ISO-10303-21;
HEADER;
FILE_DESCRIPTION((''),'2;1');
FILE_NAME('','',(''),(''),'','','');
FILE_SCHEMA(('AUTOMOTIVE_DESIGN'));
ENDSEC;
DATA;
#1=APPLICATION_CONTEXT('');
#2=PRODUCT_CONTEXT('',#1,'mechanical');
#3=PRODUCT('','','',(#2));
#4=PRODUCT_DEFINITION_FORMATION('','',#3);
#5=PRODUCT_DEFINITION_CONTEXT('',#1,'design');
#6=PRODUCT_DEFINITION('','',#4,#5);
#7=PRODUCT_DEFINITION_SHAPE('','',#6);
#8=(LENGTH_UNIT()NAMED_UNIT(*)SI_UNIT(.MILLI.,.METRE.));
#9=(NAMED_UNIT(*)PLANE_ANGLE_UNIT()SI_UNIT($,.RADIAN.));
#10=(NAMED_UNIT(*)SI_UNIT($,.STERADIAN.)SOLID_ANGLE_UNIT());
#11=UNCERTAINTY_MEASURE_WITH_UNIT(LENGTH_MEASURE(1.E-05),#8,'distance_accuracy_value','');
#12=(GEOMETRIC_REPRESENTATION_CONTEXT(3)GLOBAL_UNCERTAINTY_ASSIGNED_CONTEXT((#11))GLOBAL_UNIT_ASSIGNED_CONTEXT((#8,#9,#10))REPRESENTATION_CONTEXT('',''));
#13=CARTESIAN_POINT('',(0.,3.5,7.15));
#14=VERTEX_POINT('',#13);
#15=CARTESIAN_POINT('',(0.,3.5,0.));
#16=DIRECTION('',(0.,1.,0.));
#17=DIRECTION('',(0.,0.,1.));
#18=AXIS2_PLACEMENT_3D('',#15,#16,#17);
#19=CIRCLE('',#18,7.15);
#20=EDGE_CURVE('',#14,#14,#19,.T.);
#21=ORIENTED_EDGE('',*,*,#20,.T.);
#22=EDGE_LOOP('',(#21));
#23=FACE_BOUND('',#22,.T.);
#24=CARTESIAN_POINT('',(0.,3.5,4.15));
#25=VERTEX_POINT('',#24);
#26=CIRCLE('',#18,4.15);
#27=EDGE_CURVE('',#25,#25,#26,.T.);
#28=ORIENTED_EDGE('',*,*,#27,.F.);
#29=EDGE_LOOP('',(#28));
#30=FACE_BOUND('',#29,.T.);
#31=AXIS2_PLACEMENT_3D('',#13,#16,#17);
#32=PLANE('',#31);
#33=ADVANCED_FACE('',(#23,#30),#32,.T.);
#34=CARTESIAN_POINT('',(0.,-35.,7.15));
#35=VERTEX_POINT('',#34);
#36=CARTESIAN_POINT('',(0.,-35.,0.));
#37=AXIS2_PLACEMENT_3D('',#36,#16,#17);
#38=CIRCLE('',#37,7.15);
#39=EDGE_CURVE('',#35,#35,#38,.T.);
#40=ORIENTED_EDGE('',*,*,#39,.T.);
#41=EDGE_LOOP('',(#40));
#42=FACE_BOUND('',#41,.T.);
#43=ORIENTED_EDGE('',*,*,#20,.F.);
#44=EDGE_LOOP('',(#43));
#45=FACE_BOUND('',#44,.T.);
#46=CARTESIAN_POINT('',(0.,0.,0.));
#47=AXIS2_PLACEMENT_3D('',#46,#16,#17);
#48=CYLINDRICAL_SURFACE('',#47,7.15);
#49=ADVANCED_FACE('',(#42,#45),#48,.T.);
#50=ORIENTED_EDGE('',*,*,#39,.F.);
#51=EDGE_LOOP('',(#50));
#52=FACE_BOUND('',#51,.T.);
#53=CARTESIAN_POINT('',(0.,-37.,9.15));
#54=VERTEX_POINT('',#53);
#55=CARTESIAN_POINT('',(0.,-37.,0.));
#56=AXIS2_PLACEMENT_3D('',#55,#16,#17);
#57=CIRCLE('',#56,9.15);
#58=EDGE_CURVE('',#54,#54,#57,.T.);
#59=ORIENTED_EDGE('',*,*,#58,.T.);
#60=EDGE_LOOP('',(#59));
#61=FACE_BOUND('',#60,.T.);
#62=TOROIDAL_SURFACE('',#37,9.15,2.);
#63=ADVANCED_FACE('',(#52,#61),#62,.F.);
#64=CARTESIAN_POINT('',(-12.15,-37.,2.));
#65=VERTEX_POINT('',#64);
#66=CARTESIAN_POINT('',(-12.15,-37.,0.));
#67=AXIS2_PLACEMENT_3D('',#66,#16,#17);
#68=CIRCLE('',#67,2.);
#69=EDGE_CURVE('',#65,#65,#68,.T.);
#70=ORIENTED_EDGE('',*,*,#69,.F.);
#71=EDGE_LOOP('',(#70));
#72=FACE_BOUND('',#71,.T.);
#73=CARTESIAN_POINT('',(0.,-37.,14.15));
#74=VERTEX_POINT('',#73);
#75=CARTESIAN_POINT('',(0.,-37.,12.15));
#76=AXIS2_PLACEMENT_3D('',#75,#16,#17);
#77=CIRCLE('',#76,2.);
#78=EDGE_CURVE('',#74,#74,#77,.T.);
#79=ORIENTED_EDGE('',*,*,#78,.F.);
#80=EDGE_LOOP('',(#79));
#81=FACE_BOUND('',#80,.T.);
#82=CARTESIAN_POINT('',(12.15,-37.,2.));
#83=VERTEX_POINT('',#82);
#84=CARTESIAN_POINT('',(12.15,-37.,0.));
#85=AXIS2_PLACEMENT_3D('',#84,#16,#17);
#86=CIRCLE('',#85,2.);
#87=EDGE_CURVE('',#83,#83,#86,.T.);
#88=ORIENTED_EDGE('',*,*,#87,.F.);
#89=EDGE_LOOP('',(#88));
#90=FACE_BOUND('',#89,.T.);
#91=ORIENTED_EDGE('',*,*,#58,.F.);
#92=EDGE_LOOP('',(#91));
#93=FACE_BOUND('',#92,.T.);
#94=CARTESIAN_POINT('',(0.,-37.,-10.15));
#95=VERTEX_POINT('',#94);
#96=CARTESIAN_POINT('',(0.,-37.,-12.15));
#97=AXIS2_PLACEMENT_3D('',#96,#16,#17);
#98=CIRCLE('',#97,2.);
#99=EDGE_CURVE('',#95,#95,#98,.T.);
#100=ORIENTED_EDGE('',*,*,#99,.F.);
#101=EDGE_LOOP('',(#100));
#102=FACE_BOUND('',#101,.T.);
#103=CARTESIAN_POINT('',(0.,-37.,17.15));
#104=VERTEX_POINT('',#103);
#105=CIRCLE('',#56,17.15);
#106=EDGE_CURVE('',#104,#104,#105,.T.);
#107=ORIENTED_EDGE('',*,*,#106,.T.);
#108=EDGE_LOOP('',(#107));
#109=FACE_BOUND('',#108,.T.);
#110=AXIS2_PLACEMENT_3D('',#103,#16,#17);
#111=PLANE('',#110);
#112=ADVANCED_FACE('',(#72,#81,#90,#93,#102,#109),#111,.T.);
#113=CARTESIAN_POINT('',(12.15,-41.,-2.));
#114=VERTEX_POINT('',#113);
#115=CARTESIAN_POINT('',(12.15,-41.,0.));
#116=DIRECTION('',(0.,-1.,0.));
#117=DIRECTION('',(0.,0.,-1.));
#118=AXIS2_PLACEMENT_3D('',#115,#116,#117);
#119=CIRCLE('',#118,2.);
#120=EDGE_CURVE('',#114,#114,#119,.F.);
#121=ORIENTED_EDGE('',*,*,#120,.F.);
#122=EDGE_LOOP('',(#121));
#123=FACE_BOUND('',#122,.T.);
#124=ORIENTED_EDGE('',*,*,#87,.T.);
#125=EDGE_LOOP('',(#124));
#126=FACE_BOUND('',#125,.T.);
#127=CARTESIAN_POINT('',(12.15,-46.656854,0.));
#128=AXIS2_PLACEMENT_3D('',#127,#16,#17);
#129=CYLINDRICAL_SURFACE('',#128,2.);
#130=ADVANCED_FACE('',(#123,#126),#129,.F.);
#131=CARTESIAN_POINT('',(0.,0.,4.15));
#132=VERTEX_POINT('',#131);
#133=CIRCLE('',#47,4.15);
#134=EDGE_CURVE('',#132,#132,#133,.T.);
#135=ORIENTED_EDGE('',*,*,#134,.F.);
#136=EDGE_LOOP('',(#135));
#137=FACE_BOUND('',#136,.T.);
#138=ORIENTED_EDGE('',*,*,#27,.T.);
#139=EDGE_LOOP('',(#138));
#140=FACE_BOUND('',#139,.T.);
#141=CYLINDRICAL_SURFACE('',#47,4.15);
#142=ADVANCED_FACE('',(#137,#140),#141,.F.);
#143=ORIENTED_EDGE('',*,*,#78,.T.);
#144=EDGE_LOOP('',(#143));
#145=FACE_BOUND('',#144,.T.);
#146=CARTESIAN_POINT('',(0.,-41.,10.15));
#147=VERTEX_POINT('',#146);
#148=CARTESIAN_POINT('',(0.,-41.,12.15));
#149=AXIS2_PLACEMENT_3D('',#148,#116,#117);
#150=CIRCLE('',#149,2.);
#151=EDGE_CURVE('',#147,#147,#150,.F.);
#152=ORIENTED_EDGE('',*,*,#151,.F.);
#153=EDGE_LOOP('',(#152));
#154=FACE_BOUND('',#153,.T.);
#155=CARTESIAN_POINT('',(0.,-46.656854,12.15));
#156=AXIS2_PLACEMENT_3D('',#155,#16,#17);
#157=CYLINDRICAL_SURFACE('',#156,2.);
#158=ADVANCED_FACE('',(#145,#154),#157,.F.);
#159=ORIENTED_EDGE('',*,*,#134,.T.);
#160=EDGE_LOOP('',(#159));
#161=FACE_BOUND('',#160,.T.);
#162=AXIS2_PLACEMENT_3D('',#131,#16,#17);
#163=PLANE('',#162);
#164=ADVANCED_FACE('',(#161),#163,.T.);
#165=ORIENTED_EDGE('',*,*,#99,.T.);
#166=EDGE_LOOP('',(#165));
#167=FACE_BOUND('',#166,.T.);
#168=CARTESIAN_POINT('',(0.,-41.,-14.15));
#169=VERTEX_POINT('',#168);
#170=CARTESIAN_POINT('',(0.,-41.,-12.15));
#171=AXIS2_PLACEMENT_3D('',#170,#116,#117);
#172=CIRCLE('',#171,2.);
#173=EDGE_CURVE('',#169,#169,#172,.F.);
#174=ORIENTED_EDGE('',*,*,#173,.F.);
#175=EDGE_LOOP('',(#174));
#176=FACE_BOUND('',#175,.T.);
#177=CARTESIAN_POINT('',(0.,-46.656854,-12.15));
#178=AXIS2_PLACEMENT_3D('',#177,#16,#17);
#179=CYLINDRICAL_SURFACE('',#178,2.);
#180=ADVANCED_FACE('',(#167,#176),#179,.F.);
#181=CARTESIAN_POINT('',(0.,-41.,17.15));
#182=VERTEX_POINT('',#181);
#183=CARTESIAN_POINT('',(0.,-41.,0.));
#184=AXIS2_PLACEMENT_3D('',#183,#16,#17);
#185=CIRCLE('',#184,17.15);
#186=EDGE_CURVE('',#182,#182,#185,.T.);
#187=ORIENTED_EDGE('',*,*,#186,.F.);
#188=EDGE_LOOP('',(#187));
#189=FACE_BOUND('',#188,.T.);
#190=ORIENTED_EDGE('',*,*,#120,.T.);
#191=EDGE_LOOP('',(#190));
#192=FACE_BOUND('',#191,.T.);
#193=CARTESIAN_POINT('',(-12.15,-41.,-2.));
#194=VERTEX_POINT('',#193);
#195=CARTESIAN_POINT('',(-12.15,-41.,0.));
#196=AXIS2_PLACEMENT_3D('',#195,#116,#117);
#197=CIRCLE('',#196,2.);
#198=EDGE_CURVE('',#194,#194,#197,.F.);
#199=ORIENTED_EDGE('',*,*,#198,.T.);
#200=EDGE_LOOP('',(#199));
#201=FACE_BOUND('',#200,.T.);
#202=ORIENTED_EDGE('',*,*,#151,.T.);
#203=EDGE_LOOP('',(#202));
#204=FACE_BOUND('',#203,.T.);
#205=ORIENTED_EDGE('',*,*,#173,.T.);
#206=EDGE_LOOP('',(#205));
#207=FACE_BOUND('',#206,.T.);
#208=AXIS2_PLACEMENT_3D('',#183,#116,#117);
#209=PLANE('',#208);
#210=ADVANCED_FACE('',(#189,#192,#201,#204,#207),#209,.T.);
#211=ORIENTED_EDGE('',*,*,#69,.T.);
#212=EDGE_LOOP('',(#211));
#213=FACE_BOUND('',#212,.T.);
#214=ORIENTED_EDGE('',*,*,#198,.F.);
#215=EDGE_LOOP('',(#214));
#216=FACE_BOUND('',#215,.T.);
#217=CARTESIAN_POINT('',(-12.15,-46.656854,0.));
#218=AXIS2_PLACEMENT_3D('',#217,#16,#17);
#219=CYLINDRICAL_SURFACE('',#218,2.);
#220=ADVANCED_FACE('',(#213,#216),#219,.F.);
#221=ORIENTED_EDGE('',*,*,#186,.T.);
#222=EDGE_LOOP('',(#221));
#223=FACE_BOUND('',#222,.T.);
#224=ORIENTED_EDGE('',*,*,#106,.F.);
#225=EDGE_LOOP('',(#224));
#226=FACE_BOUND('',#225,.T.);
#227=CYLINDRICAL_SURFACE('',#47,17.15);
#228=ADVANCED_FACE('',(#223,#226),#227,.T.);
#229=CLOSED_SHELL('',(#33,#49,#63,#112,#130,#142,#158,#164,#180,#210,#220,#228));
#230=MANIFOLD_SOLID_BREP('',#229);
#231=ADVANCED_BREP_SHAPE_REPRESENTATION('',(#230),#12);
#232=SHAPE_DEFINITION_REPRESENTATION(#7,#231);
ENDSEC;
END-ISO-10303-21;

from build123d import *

# Parameters (mm, degrees)
SKETCH2_R          = 2
CUT_EXTRUDE1_DEPTH = 4


with BuildPart() as part:
    # Sketch1 → Revolve1 (revolve)
    with BuildSketch(Plane(origin=(0, 0, 0), x_dir=(0, 0, -1), z_dir=(1, 0, 0))):
        with BuildLine():
            Line((-7.15, 3.5), (-4.15, 3.5))
            Line((-4.15, 3.5), (-4.15, 0))
            Line((-4.15, 0), (0, 0))
            Line((0, 0), (0, -41))
            Line((0, -41), (-17.15, -41))
            Line((-17.15, -41), (-17.15, -37))
            Line((-17.15, -37), (-9.15, -37))
            ThreePointArc((-9.15, -37), (-7.735786438, -36.414213562), (-7.15, -35))
            Line((-7.15, -35), (-7.15, 3.5))
        make_face()
    revolve(axis=Axis((0, 0, 0), (0, -1, 0)))

    # Sketch2 → Cut-Extrude1 (cut)
    with BuildSketch(Plane(origin=(0, -37, 0), x_dir=(1, 0, 0), z_dir=(0, 1, 0))):
        with Locations(Location((0, 12.15, 0), (0, 0, 270))):
            Circle(SKETCH2_R)
        with Locations(Location((12.15, 0, 0), (0, 0, 270))):
            Circle(SKETCH2_R)
        with Locations(Location((0, -12.15, 0), (0, 0, 270))):
            Circle(SKETCH2_R)
        with Locations(Location((-12.15, 0, 0), (0, 0, 270))):
            Circle(SKETCH2_R)
    extrude(amount=-CUT_EXTRUDE1_DEPTH, mode=Mode.SUBTRACT)


solid = part.part
